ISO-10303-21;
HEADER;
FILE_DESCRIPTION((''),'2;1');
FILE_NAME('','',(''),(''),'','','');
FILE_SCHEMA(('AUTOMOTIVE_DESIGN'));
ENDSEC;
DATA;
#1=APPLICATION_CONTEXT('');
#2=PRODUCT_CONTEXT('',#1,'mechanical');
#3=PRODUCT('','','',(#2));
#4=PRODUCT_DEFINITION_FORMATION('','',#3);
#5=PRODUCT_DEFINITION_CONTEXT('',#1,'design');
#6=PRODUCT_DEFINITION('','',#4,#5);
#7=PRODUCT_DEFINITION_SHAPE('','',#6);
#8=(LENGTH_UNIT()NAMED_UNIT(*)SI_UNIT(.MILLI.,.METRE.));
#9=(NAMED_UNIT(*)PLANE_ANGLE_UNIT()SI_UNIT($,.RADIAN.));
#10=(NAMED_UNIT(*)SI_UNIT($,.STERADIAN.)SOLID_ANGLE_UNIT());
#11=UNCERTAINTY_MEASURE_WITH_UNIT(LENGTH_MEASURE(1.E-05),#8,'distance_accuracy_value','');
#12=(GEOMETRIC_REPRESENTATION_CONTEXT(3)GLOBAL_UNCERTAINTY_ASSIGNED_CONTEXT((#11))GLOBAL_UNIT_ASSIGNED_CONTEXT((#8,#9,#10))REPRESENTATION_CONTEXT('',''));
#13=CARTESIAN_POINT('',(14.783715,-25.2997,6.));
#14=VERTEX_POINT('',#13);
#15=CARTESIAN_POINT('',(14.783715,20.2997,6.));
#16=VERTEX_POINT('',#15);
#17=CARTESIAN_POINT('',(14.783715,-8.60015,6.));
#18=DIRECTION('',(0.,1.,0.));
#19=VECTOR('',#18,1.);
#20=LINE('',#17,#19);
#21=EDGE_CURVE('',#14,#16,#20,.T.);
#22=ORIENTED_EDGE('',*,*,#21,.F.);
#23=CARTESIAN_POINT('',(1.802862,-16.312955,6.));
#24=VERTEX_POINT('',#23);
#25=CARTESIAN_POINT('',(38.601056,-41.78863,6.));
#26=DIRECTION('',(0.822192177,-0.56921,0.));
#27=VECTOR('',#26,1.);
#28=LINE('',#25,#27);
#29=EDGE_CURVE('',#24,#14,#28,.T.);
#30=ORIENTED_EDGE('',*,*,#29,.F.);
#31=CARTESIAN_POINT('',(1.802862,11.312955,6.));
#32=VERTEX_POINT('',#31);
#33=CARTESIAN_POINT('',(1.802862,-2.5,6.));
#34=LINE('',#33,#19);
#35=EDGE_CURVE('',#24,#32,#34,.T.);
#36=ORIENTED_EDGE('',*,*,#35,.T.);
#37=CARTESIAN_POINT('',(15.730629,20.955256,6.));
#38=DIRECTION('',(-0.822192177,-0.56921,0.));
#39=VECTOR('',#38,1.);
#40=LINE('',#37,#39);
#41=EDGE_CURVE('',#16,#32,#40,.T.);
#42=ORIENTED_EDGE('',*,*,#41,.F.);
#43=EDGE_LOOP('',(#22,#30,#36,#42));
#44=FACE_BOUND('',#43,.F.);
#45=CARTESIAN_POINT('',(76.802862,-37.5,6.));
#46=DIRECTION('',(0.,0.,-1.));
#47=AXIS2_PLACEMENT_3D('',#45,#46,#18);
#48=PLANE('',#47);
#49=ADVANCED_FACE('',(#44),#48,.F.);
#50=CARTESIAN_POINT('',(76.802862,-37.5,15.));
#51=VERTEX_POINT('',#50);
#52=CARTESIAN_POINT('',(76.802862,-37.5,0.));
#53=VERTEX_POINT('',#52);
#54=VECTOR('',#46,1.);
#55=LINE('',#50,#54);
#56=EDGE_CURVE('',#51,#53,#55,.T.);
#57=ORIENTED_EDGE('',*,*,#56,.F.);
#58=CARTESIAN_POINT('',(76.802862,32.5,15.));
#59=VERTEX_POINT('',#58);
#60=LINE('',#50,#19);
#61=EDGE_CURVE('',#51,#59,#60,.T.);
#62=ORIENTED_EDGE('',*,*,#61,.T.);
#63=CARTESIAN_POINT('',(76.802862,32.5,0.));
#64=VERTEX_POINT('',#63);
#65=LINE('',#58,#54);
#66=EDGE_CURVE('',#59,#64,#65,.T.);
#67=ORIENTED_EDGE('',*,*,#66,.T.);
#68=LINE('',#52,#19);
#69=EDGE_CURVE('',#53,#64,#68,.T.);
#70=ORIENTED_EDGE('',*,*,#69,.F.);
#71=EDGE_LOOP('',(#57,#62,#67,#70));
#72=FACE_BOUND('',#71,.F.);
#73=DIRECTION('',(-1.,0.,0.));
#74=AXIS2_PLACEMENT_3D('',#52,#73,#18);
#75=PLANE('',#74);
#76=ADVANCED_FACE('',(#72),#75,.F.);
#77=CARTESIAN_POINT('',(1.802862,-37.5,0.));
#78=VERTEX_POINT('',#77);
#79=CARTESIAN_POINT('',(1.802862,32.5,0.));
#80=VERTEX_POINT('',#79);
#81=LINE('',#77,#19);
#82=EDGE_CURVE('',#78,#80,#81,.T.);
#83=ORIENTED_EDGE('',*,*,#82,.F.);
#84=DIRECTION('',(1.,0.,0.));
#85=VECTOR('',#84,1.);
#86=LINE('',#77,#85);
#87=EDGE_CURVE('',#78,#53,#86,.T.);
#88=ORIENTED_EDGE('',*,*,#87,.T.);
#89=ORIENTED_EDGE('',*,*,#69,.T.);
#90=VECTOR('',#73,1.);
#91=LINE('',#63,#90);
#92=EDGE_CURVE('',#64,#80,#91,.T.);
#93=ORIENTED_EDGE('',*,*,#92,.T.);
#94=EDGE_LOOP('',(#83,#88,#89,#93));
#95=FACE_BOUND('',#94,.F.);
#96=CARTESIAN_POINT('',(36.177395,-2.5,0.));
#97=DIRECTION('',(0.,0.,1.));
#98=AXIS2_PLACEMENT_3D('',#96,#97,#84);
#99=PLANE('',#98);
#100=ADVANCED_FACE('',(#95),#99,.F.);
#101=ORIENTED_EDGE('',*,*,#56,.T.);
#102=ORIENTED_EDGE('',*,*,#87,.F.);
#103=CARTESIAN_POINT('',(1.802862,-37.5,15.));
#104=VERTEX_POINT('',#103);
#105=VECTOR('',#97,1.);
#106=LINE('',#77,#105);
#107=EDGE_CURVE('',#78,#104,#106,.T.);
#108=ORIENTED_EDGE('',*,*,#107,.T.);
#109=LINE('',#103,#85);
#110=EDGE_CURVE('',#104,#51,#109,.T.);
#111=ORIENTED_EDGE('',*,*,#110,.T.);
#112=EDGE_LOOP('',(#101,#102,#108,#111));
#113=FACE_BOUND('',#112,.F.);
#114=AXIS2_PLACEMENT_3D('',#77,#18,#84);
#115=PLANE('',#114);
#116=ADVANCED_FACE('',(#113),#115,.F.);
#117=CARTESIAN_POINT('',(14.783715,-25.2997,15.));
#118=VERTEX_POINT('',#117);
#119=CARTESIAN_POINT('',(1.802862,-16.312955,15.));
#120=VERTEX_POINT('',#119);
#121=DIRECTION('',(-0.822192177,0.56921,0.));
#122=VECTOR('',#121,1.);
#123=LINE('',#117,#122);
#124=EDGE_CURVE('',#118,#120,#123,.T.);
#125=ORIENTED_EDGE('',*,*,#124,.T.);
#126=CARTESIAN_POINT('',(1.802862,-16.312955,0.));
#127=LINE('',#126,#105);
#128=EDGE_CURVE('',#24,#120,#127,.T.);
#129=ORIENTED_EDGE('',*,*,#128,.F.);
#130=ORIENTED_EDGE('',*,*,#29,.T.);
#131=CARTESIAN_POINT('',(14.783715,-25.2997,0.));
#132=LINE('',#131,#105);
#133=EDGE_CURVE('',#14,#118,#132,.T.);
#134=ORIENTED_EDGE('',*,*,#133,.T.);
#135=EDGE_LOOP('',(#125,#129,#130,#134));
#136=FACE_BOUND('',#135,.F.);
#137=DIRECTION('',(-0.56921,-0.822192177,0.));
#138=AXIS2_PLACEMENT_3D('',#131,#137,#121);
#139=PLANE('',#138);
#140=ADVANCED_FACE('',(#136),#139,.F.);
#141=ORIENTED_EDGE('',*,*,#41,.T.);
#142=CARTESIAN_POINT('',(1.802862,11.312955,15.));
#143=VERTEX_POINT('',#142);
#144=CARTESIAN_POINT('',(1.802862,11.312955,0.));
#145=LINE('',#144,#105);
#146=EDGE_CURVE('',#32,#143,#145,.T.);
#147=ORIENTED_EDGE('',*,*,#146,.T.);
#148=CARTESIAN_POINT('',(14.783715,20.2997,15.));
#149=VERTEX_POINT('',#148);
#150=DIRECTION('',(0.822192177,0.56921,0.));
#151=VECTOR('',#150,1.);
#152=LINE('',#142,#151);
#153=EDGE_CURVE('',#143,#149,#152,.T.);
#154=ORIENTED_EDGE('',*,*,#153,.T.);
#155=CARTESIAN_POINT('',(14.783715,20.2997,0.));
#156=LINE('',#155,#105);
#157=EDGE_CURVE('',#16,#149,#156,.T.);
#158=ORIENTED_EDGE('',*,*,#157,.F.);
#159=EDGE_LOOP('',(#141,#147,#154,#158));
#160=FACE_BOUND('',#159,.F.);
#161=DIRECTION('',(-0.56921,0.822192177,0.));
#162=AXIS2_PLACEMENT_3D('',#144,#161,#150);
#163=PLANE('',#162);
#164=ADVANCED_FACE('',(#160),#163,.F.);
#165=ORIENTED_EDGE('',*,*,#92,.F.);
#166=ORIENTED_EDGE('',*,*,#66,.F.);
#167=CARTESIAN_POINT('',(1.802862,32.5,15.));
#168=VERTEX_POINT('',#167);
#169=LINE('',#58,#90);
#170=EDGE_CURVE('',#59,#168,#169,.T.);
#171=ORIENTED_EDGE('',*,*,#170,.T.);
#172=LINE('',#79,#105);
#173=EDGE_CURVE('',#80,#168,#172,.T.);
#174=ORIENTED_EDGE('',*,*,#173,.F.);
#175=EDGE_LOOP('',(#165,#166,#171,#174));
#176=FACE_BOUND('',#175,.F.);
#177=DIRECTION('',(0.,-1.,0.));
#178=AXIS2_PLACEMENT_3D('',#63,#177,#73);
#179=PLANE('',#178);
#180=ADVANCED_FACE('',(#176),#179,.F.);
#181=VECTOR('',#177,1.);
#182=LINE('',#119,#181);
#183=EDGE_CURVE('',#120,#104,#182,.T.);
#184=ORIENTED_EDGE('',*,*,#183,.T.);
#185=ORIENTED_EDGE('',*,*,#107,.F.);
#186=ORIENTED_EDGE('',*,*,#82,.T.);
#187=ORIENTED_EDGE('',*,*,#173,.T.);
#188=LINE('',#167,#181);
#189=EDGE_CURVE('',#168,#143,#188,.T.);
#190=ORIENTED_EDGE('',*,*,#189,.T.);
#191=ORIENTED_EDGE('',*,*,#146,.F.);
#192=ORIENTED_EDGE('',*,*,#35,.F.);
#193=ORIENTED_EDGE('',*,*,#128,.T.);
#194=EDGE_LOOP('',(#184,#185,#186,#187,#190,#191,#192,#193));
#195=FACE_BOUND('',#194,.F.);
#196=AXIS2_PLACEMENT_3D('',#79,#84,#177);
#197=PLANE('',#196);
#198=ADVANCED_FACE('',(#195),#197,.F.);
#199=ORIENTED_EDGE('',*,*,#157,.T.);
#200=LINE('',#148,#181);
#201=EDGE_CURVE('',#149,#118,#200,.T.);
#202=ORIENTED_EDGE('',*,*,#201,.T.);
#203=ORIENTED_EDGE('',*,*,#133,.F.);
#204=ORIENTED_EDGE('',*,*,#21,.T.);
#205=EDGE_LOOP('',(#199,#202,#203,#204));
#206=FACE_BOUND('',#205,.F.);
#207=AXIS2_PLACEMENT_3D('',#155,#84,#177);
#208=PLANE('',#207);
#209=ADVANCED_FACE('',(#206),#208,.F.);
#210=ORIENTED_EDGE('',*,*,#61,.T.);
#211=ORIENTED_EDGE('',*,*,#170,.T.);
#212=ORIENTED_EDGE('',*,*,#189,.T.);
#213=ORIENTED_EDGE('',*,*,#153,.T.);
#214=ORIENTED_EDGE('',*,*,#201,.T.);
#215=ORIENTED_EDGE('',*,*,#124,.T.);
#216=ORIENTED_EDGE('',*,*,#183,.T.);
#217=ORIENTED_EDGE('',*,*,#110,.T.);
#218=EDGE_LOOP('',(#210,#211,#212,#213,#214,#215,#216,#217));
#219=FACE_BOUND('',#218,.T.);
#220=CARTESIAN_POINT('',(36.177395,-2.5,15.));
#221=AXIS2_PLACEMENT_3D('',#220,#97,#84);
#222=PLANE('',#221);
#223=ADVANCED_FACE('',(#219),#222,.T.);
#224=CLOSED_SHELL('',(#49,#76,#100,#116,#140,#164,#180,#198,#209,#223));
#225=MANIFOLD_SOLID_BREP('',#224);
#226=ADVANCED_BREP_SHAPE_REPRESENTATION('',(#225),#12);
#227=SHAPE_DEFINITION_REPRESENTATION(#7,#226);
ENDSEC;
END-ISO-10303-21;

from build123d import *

# Parameters (mm, degrees)
F1_DEPTH = 15
F2_W     = 70
F2_H     = 6
F3_DEPTH = 75


with BuildPart() as f1:
    # F0 (on Top) → F1 (new body)
    with BuildSketch(Plane.XY):
        Polygon((76.8028618103, 32.5), (1.8028618103, 32.5), (1.8028618103, 11.3129554689), (14.7837150177, 20.2997004986), (14.7837150177, -2.5), (14.7837150177, -25.2997004986), (1.8028618103, -16.3129554689), (1.8028618103, -37.5), (76.8028618103, -37.5), align=None)
    extrude(amount=F1_DEPTH)

    # F2 (on face) → F3 (join, through all)
    with BuildSketch(Plane.YZ.offset(76.8028618103)):
        with Locations((-2.5, 3)):
            Rectangle(F2_W, F2_H)
    extrude(amount=-F3_DEPTH)


solid = f1.part
